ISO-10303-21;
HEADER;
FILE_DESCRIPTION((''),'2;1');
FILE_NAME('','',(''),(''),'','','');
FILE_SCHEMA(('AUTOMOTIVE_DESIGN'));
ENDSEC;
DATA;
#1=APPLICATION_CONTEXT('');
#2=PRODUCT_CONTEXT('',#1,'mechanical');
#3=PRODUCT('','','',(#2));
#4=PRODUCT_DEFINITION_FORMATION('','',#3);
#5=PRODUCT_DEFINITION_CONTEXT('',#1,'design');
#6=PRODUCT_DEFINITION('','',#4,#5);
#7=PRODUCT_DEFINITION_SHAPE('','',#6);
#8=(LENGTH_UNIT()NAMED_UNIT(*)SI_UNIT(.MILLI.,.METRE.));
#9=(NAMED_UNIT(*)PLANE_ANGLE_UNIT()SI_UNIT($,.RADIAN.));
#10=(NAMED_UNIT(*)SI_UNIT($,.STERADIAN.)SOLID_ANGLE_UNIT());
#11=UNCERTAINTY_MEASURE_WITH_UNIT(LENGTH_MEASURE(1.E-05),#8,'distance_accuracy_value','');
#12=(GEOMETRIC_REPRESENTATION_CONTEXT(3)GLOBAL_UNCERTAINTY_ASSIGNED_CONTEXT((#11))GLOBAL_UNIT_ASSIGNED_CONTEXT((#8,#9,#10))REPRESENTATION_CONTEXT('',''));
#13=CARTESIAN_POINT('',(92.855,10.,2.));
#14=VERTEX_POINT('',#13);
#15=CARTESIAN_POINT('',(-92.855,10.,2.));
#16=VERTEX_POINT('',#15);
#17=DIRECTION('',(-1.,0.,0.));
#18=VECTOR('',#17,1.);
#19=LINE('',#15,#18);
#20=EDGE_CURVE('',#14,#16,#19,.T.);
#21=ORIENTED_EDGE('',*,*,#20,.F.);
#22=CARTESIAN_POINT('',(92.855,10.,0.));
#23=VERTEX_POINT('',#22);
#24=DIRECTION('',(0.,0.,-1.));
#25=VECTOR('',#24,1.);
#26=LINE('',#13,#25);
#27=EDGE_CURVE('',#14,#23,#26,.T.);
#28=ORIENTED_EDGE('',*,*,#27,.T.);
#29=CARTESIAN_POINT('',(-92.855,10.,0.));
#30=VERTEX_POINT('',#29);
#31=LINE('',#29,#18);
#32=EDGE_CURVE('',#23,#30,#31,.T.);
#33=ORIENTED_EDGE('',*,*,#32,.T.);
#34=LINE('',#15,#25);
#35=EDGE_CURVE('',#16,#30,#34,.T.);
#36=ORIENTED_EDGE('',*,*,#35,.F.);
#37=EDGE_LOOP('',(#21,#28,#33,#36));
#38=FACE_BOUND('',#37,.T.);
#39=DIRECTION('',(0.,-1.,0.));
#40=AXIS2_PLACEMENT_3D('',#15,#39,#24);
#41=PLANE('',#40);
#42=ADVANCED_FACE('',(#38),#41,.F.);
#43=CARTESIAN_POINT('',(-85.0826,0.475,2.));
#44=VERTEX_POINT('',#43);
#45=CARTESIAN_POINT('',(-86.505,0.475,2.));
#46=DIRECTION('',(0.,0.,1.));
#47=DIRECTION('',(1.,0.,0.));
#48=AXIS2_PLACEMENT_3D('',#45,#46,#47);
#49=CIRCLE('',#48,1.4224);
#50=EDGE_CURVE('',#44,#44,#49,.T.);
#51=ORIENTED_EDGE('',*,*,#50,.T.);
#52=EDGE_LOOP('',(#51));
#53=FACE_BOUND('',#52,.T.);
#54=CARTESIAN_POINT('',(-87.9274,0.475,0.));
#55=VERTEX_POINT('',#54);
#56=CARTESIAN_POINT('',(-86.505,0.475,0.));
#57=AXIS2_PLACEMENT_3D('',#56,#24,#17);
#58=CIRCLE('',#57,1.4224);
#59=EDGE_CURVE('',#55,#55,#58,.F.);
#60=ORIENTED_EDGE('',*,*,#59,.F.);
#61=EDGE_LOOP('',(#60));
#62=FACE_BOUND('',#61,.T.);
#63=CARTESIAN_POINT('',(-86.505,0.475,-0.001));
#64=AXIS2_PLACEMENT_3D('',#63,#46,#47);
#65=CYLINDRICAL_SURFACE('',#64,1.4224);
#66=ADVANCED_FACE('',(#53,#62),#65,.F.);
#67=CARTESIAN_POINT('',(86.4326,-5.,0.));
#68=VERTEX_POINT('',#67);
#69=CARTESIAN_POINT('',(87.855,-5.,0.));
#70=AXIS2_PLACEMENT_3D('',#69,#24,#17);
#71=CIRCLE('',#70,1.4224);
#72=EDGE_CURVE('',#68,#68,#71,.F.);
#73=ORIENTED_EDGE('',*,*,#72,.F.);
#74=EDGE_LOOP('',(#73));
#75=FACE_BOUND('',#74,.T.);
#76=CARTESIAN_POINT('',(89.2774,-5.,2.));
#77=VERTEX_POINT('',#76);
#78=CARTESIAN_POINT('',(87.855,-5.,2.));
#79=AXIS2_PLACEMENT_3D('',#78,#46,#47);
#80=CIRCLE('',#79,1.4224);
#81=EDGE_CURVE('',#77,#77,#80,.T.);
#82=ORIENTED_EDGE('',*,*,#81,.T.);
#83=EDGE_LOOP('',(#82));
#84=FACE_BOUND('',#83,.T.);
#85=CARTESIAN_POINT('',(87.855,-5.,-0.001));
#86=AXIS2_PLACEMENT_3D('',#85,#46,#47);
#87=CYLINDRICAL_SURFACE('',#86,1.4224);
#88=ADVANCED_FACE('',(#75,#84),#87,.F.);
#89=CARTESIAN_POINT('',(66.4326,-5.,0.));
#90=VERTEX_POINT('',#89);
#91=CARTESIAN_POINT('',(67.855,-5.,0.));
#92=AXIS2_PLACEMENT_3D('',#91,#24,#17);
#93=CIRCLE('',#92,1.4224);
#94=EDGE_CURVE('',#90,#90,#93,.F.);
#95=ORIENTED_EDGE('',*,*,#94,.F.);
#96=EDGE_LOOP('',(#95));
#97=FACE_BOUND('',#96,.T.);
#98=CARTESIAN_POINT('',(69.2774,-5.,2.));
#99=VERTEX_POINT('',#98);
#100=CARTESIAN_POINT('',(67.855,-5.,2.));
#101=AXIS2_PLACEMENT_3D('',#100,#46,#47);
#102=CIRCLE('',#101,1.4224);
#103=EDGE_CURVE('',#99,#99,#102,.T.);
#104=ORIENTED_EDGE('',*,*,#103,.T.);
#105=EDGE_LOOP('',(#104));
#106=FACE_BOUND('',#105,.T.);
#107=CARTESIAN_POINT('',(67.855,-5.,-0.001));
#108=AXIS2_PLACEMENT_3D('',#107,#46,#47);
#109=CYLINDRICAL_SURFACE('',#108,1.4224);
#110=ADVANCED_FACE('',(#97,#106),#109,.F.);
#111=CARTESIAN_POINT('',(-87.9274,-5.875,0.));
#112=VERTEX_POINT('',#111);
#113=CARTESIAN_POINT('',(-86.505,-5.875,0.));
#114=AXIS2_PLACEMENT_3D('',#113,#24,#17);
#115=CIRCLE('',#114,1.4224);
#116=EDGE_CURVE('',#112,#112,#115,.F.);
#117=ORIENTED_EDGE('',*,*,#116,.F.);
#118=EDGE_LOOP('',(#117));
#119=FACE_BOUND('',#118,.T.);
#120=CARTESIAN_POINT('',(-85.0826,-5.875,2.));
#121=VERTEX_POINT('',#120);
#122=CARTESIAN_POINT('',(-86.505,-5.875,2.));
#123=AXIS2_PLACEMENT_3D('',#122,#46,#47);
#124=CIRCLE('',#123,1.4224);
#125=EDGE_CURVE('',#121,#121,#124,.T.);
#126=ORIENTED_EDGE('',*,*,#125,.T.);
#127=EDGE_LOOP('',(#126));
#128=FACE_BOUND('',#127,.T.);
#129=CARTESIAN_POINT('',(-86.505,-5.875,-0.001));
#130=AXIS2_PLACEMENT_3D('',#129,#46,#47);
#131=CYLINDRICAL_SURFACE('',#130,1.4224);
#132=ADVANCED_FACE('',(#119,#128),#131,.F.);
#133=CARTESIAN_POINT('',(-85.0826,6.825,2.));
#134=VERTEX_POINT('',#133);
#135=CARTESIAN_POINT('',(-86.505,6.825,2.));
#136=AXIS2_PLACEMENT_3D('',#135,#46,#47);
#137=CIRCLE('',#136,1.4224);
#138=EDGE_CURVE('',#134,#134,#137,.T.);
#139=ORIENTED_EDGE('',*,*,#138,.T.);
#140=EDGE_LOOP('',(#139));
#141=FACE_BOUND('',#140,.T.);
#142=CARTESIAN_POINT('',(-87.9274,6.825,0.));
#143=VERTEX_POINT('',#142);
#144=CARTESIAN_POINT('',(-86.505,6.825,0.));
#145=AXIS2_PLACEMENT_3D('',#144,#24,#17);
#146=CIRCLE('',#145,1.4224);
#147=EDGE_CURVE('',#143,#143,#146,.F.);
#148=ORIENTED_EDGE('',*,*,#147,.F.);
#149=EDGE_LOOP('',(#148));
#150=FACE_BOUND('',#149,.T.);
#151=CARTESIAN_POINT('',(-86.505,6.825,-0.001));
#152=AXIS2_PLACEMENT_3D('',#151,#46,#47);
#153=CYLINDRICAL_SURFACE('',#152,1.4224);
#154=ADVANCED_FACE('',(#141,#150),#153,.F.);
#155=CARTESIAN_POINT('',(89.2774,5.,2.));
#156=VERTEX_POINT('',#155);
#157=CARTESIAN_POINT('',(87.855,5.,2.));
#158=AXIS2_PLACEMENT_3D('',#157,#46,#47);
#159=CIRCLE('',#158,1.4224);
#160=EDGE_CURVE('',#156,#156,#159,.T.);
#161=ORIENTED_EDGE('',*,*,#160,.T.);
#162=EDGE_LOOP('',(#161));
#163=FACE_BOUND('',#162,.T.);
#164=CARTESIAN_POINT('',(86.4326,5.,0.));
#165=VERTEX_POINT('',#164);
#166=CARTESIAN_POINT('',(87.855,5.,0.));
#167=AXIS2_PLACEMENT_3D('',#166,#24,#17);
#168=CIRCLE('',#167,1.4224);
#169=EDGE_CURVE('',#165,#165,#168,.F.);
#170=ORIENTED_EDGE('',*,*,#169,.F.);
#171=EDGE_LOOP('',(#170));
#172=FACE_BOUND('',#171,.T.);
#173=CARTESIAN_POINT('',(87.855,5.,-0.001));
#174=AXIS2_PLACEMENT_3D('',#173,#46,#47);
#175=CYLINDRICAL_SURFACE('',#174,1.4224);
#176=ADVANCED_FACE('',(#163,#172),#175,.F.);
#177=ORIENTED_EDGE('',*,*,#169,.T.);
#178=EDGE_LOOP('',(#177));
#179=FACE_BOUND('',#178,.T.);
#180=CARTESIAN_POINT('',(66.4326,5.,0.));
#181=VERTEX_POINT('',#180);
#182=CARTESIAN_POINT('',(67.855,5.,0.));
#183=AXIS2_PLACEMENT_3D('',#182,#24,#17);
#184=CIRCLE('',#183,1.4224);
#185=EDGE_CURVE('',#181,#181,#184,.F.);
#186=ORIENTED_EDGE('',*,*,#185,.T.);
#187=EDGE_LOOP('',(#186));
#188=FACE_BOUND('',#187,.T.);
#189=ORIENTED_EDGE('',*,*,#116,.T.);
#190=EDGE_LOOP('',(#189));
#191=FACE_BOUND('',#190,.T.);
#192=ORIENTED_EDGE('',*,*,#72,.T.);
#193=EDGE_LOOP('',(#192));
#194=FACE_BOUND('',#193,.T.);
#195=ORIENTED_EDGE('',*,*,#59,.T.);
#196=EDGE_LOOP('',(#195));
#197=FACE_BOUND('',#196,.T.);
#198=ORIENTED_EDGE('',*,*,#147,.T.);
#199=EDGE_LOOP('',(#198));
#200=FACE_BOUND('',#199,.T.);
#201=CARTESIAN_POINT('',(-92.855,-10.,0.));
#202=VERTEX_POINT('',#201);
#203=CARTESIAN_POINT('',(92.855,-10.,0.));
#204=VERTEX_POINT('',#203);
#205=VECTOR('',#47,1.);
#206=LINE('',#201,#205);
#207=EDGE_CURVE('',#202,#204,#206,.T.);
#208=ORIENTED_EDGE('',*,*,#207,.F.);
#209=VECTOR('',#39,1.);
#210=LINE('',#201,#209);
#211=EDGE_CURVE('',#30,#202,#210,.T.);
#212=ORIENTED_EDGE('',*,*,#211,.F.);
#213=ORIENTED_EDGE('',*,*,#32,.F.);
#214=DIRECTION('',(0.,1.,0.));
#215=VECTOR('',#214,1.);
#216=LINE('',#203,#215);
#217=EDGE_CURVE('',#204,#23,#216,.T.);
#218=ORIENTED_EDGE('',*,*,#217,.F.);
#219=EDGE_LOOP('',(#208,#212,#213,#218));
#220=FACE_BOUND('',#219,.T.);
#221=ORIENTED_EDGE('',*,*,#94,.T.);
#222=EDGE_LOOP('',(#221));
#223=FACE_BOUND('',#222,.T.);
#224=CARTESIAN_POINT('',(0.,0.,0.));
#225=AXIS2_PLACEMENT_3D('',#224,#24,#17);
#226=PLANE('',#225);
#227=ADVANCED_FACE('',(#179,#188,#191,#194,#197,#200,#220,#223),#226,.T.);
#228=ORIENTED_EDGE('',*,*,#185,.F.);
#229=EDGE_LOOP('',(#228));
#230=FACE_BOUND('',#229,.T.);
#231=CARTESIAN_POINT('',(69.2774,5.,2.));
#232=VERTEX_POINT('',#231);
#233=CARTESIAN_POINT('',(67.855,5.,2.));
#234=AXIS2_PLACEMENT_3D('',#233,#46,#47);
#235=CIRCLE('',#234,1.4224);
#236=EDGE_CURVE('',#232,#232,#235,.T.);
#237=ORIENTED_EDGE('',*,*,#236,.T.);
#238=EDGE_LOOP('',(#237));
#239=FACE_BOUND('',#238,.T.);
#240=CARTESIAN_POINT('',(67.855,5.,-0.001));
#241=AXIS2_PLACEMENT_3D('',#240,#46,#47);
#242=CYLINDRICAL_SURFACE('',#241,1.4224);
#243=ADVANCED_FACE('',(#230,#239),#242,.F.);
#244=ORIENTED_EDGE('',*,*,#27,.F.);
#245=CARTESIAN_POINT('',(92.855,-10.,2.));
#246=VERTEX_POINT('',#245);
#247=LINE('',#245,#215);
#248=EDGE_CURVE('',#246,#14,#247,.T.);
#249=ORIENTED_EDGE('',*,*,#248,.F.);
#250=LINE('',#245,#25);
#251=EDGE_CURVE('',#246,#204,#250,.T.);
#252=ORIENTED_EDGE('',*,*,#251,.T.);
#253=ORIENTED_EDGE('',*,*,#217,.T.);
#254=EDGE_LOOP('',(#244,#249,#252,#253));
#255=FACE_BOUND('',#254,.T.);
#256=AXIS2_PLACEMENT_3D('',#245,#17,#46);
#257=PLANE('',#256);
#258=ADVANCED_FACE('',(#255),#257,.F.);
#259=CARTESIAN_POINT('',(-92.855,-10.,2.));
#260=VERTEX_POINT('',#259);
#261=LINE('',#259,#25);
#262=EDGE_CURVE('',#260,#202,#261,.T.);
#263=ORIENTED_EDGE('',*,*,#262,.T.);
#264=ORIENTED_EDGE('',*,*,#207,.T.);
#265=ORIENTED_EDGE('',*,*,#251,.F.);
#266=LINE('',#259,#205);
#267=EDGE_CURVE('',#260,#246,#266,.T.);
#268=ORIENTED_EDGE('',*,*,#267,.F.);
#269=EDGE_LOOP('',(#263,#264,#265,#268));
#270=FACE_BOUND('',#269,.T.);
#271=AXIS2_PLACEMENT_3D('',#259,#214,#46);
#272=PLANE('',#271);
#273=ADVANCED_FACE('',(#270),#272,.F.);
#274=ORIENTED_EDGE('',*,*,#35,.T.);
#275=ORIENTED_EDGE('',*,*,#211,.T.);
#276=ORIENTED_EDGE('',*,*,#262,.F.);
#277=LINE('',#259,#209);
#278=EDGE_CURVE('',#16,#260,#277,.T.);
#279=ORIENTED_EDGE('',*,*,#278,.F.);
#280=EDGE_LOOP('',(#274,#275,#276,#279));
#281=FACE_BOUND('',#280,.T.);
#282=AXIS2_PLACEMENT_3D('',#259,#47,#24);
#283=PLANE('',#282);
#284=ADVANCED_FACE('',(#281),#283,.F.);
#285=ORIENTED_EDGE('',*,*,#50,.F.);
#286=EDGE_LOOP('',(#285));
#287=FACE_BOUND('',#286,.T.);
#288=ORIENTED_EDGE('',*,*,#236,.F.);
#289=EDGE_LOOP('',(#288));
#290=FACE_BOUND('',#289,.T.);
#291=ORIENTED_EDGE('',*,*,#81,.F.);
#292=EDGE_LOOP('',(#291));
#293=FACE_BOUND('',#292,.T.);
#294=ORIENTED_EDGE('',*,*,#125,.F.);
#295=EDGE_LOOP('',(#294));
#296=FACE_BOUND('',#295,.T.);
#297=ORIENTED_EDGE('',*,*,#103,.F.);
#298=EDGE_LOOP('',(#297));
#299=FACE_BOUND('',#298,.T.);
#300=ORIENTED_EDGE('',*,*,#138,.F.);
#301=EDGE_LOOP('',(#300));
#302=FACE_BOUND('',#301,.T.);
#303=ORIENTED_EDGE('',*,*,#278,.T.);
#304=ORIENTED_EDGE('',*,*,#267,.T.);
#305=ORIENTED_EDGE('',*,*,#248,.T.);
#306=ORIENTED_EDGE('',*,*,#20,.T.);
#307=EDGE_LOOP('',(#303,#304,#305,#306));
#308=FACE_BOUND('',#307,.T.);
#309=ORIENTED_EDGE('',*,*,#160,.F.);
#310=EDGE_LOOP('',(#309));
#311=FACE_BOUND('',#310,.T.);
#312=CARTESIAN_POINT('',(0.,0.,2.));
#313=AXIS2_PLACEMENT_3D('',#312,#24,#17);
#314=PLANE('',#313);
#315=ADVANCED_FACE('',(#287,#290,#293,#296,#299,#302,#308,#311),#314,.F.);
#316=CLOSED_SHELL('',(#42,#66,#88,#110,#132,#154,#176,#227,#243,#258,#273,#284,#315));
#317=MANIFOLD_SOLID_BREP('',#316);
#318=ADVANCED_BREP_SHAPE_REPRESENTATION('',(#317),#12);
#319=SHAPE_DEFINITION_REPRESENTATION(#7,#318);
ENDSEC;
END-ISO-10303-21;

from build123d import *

# Parameters (mm, degrees)
SKETCH1_W           = 185.71
SKETCH1_H           = 20
BOSS_EXTRUDE1_DEPTH = 2
CUT_EXTRUDE1_REACH  = 95.413
SKETCH2_R           = 1.4224


with BuildPart() as part:
    # Sketch1 → Boss-Extrude1 (new body)
    with BuildSketch(Plane.XY):
        Rectangle(SKETCH1_W, SKETCH1_H)
    extrude(amount=BOSS_EXTRUDE1_DEPTH)

    # Sketch2 → Cut-Extrude1 (cut, up to next)
    with BuildSketch(Plane.XY.offset(2), mode=Mode.PRIVATE) as cut_extrude1_sk1:
        with Locations((-86.505, 6.825)):
            Circle(SKETCH2_R)
    cut_extrude1_tool1 = extrude(cut_extrude1_sk1.sketch, amount=-CUT_EXTRUDE1_REACH, mode=Mode.PRIVATE) & part.part
    # Sketch2 → Cut-Extrude1 (cut, up to next)
    with BuildSketch(Plane.XY.offset(2), mode=Mode.PRIVATE) as cut_extrude1_sk2:
        with Locations((-86.505, 0.475)):
            Circle(SKETCH2_R)
    cut_extrude1_tool2 = extrude(cut_extrude1_sk2.sketch, amount=-CUT_EXTRUDE1_REACH, mode=Mode.PRIVATE) & part.part
    # Sketch2 → Cut-Extrude1 (cut, up to next)
    with BuildSketch(Plane.XY.offset(2), mode=Mode.PRIVATE) as cut_extrude1_sk3:
        with Locations((-86.505, -5.875)):
            Circle(SKETCH2_R)
    cut_extrude1_tool3 = extrude(cut_extrude1_sk3.sketch, amount=-CUT_EXTRUDE1_REACH, mode=Mode.PRIVATE) & part.part
    # Sketch2 → Cut-Extrude1 (cut, up to next)
    with BuildSketch(Plane.XY.offset(2), mode=Mode.PRIVATE) as cut_extrude1_sk4:
        with Locations((87.855, 5)):
            Circle(SKETCH2_R)
    cut_extrude1_tool4 = extrude(cut_extrude1_sk4.sketch, amount=-CUT_EXTRUDE1_REACH, mode=Mode.PRIVATE) & part.part
    # Sketch2 → Cut-Extrude1 (cut, up to next)
    with BuildSketch(Plane.XY.offset(2), mode=Mode.PRIVATE) as cut_extrude1_sk5:
        with Locations((67.855, 5)):
            Circle(SKETCH2_R)
    cut_extrude1_tool5 = extrude(cut_extrude1_sk5.sketch, amount=-CUT_EXTRUDE1_REACH, mode=Mode.PRIVATE) & part.part
    # Sketch2 → Cut-Extrude1 (cut, up to next)
    with BuildSketch(Plane.XY.offset(2), mode=Mode.PRIVATE) as cut_extrude1_sk6:
        with Locations((67.855, -5)):
            Circle(SKETCH2_R)
    cut_extrude1_tool6 = extrude(cut_extrude1_sk6.sketch, amount=-CUT_EXTRUDE1_REACH, mode=Mode.PRIVATE) & part.part
    # Sketch2 → Cut-Extrude1 (cut, up to next)
    with BuildSketch(Plane.XY.offset(2), mode=Mode.PRIVATE) as cut_extrude1_sk7:
        with Locations((87.855, -5)):
            Circle(SKETCH2_R)
    cut_extrude1_tool7 = extrude(cut_extrude1_sk7.sketch, amount=-CUT_EXTRUDE1_REACH, mode=Mode.PRIVATE) & part.part
    add(cut_extrude1_tool1.solids().sort_by_distance((-86.505, 6.825, 2))[0], mode=Mode.SUBTRACT)
    add(cut_extrude1_tool2.solids().sort_by_distance((-86.505, 0.475, 2))[0], mode=Mode.SUBTRACT)
    add(cut_extrude1_tool3.solids().sort_by_distance((-86.505, -5.875, 2))[0], mode=Mode.SUBTRACT)
    add(cut_extrude1_tool4.solids().sort_by_distance((87.855, 5, 2))[0], mode=Mode.SUBTRACT)
    add(cut_extrude1_tool5.solids().sort_by_distance((67.855, 5, 2))[0], mode=Mode.SUBTRACT)
    add(cut_extrude1_tool6.solids().sort_by_distance((67.855, -5, 2))[0], mode=Mode.SUBTRACT)
    add(cut_extrude1_tool7.solids().sort_by_distance((87.855, -5, 2))[0], mode=Mode.SUBTRACT)


solid = part.part
